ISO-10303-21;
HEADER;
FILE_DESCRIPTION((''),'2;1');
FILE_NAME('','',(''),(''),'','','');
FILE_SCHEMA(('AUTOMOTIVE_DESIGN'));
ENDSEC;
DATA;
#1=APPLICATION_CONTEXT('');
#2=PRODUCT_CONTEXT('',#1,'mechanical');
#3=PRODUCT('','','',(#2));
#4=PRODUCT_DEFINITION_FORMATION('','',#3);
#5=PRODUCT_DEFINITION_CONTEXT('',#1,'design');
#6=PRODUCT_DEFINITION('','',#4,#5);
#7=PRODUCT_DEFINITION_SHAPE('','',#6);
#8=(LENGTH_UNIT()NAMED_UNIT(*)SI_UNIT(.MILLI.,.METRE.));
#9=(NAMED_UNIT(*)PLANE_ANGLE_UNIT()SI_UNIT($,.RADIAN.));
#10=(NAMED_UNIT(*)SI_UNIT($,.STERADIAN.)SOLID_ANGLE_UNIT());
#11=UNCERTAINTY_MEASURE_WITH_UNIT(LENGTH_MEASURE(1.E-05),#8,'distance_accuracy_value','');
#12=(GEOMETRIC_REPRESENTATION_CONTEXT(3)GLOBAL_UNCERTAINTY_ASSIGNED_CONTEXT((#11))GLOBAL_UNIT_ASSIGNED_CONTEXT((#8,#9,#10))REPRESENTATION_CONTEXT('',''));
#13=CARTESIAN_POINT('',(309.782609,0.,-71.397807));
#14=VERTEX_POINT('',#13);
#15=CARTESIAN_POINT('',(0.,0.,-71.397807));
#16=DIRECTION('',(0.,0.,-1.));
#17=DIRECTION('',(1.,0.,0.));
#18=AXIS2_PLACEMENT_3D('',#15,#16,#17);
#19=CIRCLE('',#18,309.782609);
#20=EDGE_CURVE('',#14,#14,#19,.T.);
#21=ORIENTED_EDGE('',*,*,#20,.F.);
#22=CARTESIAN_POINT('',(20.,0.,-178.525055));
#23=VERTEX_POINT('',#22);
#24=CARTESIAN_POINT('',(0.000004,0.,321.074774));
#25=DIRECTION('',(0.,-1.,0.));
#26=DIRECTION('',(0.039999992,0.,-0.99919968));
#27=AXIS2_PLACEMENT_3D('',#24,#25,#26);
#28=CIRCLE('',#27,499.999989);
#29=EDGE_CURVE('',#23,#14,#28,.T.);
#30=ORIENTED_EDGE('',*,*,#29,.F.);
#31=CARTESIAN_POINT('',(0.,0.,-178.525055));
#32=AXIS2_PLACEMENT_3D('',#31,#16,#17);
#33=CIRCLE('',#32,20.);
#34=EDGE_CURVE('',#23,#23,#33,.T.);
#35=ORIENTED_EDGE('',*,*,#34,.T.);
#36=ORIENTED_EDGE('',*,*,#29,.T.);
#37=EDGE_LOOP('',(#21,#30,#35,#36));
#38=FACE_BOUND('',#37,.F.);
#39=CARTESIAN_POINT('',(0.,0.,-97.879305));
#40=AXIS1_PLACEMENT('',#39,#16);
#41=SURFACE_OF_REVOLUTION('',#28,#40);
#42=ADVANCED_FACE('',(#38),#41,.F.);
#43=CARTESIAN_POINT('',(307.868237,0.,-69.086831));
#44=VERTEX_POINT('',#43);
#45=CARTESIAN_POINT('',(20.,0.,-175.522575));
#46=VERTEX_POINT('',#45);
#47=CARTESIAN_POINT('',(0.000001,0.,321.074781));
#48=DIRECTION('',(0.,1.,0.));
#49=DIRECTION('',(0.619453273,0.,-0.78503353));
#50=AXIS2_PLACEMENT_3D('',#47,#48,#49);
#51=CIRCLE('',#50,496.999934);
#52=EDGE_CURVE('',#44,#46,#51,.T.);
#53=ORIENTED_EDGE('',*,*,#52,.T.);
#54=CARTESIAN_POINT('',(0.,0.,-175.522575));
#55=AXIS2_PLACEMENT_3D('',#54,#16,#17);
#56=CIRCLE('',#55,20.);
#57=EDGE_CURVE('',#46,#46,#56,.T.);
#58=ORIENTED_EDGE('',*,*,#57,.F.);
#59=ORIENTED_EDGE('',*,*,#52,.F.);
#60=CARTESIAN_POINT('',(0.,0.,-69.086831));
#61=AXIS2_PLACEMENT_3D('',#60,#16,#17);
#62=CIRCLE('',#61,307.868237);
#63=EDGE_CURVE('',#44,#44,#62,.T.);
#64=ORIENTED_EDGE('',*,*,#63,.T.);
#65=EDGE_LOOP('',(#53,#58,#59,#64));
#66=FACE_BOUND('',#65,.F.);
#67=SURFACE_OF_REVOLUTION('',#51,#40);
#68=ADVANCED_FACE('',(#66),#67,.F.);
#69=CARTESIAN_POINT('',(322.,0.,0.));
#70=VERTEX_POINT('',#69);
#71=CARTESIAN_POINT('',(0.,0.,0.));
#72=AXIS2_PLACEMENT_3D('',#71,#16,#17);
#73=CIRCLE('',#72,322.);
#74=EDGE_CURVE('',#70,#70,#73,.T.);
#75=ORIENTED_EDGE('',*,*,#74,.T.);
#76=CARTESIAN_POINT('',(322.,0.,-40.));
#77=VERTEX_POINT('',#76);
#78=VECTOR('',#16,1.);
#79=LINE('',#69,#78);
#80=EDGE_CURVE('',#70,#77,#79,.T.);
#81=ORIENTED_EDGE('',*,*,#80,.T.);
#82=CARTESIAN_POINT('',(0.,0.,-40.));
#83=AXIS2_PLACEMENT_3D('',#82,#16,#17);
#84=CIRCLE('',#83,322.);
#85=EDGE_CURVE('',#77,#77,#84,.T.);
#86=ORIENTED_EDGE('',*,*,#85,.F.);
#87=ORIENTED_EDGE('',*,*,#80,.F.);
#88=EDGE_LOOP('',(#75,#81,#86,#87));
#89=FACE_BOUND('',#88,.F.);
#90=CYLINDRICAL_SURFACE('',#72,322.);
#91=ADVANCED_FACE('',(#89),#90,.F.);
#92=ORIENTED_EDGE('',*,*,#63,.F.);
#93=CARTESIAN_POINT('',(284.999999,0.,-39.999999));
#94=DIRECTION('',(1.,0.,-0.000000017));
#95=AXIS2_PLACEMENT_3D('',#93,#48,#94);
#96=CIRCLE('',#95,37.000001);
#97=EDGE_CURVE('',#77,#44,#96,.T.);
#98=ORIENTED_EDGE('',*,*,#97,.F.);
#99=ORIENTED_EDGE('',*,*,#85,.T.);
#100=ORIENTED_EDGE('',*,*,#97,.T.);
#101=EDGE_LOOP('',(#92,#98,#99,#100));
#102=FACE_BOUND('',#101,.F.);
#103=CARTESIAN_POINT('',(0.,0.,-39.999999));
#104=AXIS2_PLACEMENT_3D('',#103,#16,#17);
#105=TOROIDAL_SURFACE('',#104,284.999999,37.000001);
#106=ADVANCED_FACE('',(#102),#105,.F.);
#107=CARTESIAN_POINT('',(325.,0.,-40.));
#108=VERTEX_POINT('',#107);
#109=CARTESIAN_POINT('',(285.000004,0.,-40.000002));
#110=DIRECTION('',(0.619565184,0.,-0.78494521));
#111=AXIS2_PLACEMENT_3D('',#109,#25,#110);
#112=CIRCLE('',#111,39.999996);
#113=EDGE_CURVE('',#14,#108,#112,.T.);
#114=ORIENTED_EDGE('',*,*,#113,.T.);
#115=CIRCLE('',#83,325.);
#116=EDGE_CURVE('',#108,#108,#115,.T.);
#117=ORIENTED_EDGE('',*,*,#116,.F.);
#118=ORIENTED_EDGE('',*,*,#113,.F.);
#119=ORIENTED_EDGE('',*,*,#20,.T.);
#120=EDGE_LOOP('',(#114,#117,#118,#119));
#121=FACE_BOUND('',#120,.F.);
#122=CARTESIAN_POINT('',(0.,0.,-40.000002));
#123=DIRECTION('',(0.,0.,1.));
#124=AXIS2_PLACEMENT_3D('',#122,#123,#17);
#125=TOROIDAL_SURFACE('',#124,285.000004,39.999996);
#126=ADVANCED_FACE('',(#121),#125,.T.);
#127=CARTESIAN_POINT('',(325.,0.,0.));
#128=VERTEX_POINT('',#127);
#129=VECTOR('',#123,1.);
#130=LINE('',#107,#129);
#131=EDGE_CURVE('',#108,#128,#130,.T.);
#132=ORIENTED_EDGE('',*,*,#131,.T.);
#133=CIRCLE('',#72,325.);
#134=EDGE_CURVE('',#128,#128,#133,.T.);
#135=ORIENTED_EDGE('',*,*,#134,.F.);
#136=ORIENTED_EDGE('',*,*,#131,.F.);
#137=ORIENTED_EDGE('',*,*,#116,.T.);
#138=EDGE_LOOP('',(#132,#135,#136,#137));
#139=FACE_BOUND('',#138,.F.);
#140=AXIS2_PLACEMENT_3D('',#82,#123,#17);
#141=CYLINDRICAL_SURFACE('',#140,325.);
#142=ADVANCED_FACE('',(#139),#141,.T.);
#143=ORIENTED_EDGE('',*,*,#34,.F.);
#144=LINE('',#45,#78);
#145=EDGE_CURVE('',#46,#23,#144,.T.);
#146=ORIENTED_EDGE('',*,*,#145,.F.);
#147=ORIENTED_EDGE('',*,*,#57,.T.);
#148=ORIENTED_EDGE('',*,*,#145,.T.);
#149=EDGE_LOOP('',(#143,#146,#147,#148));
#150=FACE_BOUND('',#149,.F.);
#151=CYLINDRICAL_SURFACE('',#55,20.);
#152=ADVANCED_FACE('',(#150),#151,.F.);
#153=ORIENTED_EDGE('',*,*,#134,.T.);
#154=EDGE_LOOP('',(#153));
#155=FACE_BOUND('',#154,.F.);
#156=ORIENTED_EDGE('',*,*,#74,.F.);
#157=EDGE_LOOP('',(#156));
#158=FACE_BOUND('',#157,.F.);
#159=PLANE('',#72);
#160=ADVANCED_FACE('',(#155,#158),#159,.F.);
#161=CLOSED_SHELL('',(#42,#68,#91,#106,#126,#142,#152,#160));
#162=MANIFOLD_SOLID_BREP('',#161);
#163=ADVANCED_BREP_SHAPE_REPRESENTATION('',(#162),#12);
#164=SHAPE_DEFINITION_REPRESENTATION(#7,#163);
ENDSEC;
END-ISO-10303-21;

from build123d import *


with BuildPart() as f2:
    # F0 (on Front) → F2 (revolve)
    with BuildSketch(Plane.XZ):
        with BuildLine():
            Line((325, -40), (325, 0))
            Line((325, 0), (322, 0))
            Line((322, 0), (322, -40))
            ThreePointArc((322, -40), (318.28006, -56.169032), (307.868237, -69.086831))
            ThreePointArc((307.868237, -69.086831), (172.355845, -145.082271), (20, -175.522575))
            Line((20, -175.522575), (20, -178.525055))
            ThreePointArc((20, -178.525055), (173.37302, -147.904742), (309.782609, -71.397807))
            ThreePointArc((309.782609, -71.397807), (320.995169, -57.445568), (325, -40))
        make_face()
    revolve(axis=Axis((0, 0, -97.879305), (0, 0, -1)))


solid = f2.part
